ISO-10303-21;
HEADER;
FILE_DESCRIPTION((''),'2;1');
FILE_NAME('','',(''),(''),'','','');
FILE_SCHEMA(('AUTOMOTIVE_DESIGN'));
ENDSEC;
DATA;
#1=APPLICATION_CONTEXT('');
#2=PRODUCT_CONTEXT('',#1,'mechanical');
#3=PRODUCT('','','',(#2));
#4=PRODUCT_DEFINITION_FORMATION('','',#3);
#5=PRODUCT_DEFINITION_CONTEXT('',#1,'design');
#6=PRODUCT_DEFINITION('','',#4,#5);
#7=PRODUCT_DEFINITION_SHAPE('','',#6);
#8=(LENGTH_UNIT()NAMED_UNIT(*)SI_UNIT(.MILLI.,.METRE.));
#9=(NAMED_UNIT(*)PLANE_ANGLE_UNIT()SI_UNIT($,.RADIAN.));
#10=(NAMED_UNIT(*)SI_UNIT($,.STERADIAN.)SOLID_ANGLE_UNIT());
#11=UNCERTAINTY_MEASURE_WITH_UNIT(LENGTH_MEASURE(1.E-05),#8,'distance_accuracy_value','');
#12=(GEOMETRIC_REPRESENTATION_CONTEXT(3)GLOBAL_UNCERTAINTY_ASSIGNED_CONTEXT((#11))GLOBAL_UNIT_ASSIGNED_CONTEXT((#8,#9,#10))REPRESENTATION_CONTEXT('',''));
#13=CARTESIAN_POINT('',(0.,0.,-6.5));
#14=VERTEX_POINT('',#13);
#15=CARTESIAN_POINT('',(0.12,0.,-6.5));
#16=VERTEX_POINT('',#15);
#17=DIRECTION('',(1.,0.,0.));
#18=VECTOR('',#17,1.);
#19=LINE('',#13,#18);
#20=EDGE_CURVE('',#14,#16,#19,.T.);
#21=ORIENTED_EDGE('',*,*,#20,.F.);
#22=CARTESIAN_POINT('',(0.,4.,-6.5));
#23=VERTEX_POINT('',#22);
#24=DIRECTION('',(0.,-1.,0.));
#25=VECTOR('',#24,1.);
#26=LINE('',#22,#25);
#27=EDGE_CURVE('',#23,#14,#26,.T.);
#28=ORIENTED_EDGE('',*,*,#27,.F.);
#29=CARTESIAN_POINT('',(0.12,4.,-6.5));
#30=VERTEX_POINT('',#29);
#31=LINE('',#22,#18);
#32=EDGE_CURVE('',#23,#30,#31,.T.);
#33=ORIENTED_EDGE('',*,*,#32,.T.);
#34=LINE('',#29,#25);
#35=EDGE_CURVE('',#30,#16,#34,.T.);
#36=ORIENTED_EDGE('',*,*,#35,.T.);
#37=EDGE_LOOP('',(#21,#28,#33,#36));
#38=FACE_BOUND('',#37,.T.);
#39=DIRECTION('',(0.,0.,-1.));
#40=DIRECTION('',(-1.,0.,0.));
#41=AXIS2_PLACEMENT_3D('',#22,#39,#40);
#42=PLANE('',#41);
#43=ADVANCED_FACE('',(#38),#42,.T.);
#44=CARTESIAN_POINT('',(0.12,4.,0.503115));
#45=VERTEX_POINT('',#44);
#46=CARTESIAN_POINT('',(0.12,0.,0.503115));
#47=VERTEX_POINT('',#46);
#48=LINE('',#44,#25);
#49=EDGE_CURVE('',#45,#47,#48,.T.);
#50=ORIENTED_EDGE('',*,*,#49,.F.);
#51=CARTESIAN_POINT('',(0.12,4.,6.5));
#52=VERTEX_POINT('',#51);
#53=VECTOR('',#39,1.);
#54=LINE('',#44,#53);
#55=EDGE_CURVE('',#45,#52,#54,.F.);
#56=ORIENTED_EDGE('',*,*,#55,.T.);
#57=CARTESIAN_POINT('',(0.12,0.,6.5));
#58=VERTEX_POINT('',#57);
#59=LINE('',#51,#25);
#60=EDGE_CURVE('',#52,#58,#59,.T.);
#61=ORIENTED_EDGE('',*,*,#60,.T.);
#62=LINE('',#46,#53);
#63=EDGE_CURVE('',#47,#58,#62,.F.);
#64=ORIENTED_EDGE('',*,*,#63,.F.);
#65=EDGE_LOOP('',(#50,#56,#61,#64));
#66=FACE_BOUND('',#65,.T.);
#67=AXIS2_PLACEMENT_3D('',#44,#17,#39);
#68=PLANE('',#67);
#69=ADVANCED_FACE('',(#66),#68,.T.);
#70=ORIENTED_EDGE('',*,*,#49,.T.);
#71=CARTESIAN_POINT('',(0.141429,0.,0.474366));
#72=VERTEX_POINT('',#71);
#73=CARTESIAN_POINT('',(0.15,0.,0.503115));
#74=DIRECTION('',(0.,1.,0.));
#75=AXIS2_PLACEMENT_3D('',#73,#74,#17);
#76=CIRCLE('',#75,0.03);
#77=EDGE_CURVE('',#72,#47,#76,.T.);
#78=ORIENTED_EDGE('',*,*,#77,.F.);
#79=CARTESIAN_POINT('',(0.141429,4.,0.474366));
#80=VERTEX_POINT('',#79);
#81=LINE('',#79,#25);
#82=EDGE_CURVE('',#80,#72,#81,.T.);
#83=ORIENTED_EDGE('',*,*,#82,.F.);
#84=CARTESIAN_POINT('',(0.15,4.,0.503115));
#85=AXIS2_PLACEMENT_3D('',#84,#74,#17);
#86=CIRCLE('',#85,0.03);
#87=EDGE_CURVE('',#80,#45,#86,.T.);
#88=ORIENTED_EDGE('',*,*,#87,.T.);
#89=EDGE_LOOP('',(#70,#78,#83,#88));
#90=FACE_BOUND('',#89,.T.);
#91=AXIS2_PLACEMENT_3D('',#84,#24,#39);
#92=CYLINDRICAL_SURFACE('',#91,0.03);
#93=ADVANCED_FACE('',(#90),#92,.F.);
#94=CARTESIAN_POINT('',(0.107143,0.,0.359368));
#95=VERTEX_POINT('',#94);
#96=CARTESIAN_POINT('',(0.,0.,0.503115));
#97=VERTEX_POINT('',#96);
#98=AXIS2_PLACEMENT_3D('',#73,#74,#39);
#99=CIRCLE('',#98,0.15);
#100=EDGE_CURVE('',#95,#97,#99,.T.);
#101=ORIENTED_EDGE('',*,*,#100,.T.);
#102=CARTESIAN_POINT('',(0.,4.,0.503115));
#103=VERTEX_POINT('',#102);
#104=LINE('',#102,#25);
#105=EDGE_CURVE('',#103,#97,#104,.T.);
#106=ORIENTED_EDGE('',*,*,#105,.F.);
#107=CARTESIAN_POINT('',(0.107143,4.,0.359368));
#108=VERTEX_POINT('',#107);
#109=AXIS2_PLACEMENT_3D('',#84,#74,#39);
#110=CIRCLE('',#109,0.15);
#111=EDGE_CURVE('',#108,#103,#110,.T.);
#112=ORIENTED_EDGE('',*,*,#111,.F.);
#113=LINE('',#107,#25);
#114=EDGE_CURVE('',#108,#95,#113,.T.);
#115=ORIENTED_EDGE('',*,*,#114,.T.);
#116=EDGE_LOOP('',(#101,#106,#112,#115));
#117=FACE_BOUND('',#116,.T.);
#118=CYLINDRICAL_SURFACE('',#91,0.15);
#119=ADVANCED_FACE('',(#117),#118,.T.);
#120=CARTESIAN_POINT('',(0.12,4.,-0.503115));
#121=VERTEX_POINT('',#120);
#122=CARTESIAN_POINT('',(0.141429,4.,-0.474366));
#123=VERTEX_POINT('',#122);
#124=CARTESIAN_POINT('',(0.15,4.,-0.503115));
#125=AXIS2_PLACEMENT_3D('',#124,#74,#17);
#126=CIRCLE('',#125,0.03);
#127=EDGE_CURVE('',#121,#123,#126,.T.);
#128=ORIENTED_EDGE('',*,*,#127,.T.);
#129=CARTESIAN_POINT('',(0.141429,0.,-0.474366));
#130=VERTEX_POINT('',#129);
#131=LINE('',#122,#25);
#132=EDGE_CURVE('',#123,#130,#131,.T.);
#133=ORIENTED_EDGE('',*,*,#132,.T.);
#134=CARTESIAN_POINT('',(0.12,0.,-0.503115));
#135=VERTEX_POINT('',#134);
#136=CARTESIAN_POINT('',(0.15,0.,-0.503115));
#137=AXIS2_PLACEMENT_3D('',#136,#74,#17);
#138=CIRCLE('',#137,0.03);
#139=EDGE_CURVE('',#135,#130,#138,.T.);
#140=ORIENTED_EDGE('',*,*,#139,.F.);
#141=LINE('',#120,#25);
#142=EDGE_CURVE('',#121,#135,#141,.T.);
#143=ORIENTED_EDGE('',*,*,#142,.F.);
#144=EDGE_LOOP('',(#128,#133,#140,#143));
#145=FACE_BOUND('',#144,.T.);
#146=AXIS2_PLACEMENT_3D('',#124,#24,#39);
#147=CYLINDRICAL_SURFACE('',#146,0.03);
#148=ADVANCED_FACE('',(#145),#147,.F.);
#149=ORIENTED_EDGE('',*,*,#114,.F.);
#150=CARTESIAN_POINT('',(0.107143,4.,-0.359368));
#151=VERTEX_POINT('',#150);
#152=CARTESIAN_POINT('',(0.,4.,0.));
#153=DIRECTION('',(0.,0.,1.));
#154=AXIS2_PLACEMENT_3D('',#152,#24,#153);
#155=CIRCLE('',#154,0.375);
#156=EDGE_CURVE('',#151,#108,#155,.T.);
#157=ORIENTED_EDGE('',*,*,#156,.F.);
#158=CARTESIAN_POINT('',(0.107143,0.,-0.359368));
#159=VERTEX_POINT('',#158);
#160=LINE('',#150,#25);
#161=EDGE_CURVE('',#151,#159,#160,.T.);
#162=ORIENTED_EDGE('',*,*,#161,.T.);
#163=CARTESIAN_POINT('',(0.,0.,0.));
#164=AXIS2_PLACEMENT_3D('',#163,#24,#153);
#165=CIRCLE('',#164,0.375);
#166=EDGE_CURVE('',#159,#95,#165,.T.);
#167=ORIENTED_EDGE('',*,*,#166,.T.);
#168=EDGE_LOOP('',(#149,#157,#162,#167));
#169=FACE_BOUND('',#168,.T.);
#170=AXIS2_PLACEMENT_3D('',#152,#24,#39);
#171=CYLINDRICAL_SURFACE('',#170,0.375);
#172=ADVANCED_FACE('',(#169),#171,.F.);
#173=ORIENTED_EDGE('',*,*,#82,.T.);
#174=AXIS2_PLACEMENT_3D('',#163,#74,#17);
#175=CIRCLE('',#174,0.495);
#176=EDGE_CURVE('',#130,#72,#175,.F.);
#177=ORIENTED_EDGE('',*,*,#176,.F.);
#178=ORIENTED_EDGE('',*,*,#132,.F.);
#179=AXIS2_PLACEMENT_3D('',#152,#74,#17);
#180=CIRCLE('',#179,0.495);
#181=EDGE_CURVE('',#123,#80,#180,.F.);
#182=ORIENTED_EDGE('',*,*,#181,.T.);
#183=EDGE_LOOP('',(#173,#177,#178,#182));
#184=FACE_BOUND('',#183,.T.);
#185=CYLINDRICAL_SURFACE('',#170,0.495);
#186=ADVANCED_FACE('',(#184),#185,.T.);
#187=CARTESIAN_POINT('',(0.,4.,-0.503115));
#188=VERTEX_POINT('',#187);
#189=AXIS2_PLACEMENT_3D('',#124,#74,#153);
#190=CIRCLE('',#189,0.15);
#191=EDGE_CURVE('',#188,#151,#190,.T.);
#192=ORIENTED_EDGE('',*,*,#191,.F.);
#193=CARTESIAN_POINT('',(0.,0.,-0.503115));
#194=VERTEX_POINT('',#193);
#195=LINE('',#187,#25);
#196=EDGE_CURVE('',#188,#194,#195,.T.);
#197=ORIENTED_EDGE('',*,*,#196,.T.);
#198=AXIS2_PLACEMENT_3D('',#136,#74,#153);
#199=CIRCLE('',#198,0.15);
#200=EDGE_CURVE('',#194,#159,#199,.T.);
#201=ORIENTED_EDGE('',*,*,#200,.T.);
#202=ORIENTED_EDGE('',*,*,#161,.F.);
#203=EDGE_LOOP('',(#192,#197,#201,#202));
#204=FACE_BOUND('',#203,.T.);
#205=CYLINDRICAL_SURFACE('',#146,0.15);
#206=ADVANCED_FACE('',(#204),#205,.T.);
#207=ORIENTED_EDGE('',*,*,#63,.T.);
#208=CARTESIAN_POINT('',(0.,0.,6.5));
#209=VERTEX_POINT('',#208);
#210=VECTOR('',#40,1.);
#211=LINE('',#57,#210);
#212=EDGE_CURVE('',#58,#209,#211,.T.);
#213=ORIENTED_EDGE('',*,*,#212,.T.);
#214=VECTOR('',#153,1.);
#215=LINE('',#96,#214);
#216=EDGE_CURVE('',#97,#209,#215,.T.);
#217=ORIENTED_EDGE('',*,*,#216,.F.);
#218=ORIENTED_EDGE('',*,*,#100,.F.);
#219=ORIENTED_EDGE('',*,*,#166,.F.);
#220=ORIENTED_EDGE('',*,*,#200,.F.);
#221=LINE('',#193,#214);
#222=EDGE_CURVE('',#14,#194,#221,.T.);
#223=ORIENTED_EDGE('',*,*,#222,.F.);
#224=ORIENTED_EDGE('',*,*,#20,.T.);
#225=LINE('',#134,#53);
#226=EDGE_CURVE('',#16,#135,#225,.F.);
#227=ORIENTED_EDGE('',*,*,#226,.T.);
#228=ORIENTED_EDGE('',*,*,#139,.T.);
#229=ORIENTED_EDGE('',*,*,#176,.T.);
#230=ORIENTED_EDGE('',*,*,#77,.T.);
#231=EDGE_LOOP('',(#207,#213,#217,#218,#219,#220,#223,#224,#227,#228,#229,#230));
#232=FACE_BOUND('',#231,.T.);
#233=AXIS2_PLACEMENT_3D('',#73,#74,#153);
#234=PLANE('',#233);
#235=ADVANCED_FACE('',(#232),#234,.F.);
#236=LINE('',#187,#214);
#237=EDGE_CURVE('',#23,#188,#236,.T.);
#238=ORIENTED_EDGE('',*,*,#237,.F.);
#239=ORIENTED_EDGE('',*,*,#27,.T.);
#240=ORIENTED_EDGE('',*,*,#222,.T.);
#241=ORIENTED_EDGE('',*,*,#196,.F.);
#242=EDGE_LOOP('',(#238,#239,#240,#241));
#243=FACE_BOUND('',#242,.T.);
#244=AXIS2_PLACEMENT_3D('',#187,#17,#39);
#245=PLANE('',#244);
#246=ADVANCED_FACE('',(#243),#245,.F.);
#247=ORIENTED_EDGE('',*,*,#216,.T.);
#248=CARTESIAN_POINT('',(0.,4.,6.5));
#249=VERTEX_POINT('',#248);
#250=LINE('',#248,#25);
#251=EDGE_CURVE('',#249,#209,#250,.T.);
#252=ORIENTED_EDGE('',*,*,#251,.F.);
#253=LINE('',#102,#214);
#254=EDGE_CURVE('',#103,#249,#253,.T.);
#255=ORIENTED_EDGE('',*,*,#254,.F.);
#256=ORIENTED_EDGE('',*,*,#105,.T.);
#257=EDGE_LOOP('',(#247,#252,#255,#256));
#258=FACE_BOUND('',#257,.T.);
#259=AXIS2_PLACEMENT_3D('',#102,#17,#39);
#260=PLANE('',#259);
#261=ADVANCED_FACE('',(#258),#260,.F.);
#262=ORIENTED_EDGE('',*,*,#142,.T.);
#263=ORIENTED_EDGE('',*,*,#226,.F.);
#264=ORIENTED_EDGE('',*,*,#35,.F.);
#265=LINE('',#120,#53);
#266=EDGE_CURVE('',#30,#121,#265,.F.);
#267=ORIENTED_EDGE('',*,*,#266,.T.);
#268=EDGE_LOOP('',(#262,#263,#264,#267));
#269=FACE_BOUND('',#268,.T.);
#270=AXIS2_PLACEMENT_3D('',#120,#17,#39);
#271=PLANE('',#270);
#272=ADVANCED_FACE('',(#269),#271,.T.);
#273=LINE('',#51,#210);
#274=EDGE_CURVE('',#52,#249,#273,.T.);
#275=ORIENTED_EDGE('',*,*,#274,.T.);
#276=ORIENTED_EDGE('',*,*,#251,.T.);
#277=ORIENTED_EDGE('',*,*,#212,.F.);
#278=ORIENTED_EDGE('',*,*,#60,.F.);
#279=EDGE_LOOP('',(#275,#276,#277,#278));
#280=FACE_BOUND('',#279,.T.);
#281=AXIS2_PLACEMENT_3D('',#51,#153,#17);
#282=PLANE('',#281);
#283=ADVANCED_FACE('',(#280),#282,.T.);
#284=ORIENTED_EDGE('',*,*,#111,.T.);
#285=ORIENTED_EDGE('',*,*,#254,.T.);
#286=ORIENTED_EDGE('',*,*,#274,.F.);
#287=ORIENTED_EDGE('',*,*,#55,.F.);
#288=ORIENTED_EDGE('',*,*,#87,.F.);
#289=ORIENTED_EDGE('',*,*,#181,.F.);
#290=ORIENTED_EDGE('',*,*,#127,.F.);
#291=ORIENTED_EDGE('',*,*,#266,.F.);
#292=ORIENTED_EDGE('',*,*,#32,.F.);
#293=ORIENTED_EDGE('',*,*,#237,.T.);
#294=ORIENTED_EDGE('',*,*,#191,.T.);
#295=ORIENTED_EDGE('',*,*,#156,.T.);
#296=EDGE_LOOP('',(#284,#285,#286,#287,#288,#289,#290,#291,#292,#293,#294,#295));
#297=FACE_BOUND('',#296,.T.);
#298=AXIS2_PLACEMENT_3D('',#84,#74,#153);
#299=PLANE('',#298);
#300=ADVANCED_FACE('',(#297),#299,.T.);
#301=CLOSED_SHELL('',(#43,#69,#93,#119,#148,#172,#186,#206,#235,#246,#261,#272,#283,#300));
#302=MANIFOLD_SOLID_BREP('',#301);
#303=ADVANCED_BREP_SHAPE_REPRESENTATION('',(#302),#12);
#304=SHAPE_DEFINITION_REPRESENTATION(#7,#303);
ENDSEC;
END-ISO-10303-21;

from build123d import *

# Parameters (mm, degrees)
EXTRUDE_THIN1_DEPTH = 4


with BuildPart() as part:
    # Sketch2 → Extrude-Thin1 (new body)
    with BuildSketch(Plane(origin=(0, 0, 0), x_dir=(1, 0, 0), z_dir=(0, 1, 0))):
        with BuildLine():
            Line((0, -6.5), (0, -0.503115295))
            ThreePointArc((0, -0.503115295), (0.029732441, -0.413473149), (0.107142857, -0.359368068))
            ThreePointArc((0.107142857, -0.359368068), (0.375, 0), (0.107142857, 0.359368068))
            ThreePointArc((0.107142857, 0.359368068), (0.029732441, 0.413473149), (0, 0.503115295))
            Line((0, 0.503115295), (0, 6.5))
            Line((0, 6.5), (0.12, 6.5))
            Line((0.12, 6.5), (0.12, 0.503115295))
            ThreePointArc((0.12, 0.503115295), (0.125946488, 0.485186866), (0.141428571, 0.47436585))
            ThreePointArc((0.141428571, 0.47436585), (0.495, 0), (0.141428571, -0.47436585))
            ThreePointArc((0.141428571, -0.47436585), (0.125946488, -0.485186866), (0.12, -0.503115295))
            Line((0.12, -0.503115295), (0.12, -6.5))
            Line((0.12, -6.5), (0, -6.5))
        make_face()
    extrude(amount=EXTRUDE_THIN1_DEPTH)


solid = part.part
